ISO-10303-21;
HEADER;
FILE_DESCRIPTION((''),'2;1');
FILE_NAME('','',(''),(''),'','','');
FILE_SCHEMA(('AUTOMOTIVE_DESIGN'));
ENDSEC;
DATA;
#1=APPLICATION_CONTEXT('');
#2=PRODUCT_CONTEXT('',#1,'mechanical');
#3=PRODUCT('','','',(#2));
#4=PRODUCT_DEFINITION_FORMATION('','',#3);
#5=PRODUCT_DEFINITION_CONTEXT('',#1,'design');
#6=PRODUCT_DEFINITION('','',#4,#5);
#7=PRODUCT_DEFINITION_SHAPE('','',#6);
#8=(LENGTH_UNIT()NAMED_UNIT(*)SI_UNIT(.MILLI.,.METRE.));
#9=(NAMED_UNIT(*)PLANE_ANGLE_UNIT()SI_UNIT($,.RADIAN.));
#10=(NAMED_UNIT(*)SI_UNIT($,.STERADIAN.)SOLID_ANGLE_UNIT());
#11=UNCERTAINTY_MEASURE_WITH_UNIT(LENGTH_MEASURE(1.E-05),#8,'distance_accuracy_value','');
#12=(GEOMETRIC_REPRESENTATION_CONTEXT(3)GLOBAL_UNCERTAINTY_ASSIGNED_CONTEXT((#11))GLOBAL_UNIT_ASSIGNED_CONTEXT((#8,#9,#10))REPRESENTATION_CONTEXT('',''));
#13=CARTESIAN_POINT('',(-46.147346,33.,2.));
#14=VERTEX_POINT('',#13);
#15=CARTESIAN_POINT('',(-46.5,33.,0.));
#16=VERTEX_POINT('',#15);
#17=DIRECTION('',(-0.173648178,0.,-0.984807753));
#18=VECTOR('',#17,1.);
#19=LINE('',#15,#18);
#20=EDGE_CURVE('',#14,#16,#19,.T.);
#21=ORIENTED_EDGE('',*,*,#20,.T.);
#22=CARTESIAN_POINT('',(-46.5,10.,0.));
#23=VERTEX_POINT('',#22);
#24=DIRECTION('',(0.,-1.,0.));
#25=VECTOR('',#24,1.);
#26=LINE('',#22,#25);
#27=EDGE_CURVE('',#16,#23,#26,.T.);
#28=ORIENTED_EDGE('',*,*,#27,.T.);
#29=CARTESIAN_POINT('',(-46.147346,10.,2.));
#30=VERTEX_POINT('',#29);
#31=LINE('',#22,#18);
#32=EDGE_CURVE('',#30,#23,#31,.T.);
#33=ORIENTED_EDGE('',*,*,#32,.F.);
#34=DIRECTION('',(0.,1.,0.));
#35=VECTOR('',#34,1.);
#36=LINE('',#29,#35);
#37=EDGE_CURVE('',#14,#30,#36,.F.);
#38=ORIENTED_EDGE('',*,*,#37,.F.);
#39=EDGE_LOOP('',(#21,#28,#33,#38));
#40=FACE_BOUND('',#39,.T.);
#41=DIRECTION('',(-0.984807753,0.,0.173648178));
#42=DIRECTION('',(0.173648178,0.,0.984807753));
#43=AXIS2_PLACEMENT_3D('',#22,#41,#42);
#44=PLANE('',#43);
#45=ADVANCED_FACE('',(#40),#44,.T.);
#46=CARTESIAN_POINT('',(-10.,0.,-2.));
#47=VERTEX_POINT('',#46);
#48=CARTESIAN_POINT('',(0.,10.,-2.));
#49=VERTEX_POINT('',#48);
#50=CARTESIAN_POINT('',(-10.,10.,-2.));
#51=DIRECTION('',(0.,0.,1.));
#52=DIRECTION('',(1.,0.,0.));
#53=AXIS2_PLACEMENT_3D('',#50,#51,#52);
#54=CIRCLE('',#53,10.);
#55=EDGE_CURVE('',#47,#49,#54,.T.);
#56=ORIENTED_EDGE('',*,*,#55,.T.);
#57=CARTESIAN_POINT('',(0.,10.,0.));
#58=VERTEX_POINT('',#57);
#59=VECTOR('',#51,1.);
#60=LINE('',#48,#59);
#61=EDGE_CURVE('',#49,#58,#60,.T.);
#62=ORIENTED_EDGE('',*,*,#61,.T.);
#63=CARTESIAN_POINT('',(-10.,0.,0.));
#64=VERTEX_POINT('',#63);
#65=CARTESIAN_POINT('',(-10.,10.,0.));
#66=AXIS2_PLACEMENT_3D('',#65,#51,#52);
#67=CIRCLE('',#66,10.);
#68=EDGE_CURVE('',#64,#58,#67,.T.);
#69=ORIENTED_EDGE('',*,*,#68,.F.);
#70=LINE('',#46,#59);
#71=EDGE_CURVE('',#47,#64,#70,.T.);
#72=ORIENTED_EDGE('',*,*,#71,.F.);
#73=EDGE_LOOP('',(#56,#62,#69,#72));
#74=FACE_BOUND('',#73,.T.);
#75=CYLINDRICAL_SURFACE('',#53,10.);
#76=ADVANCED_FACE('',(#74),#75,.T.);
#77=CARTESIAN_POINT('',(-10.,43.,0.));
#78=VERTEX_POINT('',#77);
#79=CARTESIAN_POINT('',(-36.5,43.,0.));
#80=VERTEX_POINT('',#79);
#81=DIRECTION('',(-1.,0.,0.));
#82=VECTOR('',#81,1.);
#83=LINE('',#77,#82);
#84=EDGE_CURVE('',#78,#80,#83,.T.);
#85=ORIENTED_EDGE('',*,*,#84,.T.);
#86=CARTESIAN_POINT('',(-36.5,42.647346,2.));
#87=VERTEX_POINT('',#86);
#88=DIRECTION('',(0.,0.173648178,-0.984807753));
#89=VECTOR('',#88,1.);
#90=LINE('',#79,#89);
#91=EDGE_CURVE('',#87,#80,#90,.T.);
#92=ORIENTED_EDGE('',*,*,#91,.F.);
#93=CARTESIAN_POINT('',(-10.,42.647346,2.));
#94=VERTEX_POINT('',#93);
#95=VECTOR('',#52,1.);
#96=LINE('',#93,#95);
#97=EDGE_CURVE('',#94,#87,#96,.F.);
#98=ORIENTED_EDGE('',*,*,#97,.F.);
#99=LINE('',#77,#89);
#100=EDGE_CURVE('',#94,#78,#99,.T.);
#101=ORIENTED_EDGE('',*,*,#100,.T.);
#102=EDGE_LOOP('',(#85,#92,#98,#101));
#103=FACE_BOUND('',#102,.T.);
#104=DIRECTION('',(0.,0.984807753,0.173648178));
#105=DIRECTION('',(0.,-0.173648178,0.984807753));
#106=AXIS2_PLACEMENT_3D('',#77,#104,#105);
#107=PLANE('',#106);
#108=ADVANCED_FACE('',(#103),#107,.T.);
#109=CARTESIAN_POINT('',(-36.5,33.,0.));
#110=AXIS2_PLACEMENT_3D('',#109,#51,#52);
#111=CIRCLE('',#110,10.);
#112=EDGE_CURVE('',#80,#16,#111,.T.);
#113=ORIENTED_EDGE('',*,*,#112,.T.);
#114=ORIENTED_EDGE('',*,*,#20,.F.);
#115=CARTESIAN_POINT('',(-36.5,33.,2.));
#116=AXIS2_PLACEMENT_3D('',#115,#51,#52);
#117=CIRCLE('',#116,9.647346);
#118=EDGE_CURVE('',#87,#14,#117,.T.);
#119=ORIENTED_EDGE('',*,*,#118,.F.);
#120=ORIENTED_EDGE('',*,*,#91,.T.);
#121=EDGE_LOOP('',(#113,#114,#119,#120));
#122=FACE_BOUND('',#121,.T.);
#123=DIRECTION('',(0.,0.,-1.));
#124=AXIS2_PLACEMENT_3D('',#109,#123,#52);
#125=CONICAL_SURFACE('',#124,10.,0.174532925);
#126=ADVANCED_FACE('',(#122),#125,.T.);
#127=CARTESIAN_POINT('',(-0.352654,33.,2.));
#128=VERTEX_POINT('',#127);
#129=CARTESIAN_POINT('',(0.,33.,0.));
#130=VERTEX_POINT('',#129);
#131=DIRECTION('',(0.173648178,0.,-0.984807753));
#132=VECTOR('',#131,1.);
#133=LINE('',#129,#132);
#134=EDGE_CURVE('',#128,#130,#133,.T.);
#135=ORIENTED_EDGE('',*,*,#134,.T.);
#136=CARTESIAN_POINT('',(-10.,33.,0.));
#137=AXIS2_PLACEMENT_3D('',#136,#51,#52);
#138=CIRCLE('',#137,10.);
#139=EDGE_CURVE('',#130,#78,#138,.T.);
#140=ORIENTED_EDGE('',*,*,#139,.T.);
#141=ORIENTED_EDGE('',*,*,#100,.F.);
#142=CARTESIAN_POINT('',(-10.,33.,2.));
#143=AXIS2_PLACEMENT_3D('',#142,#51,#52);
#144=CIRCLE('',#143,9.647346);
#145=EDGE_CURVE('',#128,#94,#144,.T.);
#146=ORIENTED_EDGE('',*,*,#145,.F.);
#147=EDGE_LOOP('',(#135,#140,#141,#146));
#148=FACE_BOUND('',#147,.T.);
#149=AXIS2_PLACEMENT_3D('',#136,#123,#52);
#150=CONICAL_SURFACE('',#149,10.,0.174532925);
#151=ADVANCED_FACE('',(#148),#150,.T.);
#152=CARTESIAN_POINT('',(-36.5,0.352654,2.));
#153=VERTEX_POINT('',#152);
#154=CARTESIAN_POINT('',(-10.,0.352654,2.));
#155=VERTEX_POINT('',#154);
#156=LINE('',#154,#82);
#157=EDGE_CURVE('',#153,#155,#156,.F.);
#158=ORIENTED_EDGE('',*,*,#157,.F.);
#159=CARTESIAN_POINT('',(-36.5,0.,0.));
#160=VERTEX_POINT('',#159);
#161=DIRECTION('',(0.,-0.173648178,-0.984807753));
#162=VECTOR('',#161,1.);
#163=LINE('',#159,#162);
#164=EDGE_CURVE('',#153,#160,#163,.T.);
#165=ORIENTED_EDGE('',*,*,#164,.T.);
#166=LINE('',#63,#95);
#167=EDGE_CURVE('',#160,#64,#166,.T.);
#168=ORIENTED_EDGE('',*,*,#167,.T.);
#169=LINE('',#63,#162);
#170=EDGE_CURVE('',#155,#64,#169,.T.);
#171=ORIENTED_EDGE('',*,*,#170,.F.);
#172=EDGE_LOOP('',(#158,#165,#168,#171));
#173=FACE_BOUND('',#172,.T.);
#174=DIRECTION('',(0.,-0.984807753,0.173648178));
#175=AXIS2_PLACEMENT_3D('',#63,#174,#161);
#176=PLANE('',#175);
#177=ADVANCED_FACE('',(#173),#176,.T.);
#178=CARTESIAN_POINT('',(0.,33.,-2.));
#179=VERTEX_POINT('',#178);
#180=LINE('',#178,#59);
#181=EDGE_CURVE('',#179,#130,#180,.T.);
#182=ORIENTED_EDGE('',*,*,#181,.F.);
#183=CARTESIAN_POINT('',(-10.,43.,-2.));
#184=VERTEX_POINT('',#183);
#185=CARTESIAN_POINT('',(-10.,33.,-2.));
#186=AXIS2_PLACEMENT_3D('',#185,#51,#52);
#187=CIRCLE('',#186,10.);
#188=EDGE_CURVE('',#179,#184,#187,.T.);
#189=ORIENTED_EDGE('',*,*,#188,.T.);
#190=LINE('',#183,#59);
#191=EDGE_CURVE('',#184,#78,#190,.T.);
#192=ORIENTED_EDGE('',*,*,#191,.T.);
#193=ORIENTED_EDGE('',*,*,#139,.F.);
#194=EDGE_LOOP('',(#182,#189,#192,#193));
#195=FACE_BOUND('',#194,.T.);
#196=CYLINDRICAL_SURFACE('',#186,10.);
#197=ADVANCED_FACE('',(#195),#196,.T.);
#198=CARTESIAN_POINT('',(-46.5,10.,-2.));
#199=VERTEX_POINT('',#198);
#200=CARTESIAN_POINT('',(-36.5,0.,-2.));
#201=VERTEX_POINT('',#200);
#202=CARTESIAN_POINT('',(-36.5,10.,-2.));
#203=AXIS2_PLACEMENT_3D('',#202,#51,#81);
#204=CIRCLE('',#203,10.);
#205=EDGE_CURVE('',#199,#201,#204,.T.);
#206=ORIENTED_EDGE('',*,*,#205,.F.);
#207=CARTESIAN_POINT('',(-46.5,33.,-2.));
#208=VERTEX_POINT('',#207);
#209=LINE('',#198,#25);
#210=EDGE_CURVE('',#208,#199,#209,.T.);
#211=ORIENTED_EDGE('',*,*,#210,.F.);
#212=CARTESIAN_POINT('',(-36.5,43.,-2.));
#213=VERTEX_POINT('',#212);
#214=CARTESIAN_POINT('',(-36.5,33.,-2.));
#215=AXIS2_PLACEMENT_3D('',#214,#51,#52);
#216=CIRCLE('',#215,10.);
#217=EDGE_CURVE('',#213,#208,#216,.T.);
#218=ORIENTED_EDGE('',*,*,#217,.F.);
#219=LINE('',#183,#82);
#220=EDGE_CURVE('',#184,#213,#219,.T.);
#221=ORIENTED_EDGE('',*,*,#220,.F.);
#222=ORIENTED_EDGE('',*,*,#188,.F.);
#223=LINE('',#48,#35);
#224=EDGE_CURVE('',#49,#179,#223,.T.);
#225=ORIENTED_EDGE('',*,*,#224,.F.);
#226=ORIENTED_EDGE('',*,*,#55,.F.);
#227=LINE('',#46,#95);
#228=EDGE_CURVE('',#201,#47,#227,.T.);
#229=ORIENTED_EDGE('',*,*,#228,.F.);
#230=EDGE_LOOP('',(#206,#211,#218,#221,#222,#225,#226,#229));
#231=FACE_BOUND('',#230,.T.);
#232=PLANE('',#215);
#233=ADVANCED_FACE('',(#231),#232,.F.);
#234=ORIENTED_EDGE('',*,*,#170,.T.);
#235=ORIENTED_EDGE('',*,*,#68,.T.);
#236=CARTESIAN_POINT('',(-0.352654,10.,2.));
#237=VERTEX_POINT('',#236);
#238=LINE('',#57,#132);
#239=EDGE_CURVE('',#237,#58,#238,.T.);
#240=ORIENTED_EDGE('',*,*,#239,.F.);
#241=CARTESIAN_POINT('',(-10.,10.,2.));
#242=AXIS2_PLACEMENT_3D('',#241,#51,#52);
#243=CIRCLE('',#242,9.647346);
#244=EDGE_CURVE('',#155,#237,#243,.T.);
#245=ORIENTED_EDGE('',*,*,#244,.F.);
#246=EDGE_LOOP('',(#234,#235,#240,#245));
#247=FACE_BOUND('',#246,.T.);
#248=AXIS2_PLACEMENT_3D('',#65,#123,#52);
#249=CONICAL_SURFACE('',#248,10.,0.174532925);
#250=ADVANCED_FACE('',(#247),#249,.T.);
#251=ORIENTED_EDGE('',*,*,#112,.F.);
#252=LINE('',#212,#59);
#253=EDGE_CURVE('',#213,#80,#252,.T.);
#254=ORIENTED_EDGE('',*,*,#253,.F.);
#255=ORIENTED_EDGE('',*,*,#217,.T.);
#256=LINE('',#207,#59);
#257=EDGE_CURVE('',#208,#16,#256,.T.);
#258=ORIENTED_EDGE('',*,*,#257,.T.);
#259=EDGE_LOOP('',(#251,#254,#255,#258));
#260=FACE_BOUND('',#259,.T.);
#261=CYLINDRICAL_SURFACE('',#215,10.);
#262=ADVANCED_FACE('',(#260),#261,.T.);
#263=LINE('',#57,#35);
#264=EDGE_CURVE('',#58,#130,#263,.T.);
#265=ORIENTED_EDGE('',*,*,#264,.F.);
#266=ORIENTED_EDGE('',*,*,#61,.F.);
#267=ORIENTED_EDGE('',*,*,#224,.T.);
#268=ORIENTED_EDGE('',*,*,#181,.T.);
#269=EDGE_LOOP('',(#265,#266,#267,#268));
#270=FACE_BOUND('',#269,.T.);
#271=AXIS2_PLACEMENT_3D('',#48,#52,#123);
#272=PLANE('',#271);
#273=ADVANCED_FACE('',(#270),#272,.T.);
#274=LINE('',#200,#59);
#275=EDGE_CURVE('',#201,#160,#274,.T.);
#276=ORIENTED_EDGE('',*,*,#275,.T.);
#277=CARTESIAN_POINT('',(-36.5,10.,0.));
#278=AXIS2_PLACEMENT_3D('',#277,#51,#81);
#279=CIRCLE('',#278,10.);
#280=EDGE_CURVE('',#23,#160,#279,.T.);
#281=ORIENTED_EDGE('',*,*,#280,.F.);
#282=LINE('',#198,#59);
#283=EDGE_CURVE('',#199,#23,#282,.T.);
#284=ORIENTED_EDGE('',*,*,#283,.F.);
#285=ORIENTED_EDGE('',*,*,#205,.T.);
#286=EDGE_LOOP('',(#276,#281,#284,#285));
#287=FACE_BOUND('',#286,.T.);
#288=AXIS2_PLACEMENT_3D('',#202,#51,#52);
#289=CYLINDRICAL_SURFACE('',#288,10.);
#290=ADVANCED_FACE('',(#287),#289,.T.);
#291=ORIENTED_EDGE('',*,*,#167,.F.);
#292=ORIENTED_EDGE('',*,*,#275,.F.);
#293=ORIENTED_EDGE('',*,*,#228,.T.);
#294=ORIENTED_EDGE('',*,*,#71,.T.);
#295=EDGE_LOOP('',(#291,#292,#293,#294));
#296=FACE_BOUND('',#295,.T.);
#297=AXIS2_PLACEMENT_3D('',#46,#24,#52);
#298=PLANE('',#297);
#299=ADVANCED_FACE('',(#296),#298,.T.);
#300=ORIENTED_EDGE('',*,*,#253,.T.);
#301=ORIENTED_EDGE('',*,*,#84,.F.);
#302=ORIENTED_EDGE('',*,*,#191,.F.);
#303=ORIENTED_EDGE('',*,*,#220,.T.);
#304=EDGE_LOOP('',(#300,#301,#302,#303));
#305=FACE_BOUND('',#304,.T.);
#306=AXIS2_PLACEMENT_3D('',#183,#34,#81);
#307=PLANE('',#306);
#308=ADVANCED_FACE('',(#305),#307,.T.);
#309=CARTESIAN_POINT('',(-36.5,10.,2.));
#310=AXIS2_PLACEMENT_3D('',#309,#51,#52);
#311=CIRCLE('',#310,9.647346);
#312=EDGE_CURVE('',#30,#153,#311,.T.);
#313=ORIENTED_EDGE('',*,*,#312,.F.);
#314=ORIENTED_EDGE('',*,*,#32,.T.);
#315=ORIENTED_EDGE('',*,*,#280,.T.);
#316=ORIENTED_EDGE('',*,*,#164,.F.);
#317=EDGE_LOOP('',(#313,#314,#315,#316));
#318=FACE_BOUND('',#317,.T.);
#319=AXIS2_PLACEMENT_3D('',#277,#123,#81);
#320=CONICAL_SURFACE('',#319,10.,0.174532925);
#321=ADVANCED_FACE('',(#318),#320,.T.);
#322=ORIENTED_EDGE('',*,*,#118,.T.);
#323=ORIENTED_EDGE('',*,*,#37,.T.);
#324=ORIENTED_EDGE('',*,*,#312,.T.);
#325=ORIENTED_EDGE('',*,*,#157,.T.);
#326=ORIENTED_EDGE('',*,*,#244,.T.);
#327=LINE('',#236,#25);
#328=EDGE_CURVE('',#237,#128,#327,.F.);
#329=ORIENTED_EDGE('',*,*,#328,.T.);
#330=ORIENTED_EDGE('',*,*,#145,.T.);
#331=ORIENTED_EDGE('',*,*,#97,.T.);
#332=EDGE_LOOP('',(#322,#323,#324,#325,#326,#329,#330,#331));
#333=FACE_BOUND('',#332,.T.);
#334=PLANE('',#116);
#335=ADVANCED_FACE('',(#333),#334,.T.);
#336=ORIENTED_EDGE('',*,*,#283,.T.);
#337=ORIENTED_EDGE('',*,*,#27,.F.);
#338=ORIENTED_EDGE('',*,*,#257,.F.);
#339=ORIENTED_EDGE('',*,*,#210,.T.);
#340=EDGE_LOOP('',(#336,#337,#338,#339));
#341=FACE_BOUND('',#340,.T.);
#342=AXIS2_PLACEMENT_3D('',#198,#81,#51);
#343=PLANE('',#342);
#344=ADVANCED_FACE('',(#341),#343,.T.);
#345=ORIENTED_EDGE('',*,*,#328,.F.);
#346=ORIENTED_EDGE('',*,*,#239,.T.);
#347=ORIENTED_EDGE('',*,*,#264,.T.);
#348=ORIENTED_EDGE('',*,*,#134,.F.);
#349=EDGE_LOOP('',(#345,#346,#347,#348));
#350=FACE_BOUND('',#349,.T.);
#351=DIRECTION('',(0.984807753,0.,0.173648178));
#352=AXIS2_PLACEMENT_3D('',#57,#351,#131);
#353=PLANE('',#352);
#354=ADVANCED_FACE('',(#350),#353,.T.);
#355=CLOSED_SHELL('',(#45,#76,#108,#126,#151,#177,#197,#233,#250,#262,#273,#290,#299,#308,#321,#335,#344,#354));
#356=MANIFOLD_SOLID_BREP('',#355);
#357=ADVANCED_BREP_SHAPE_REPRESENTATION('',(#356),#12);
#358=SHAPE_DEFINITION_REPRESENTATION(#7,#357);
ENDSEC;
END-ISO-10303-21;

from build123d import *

# Parameters (mm, degrees)
RESSALTO_EXTRUS_O2_DEPTH           = 2
RESSALTO_EXTRUS_O2_OTHER_WAY_DEPTH = 2
RESSALTO_EXTRUS_O2_OTHER_WAY_TAPER = 10


with BuildPart() as part:
    # Esboço6 → Ressalto-extrusão2 (new body)
    with BuildSketch(Plane.XY):
        with BuildLine():
            ThreePointArc((-10, 0), (-2.928932188, 2.928932188), (0, 10))
            Line((0, 10), (0, 33))
            ThreePointArc((0, 33), (-2.928932188, 40.071067812), (-10, 43))
            Line((-10, 43), (-36.5, 43))
            ThreePointArc((-36.5, 43), (-43.571067812, 40.071067812), (-46.5, 33))
            Line((-46.5, 33), (-46.5, 10))
            ThreePointArc((-46.5, 10), (-43.571067812, 2.928932188), (-36.5, 0))
            Line((-36.5, 0), (-10, 0))
        make_face()
    extrude(amount=-RESSALTO_EXTRUS_O2_DEPTH)

    # Esboço6 → Ressalto-extrusão2 other way (add)
    with BuildSketch(Plane.XY):
        with BuildLine():
            ThreePointArc((-10, 0), (-2.928932188, 2.928932188), (0, 10))
            Line((0, 10), (0, 33))
            ThreePointArc((0, 33), (-2.928932188, 40.071067812), (-10, 43))
            Line((-10, 43), (-36.5, 43))
            ThreePointArc((-36.5, 43), (-43.571067812, 40.071067812), (-46.5, 33))
            Line((-46.5, 33), (-46.5, 10))
            ThreePointArc((-46.5, 10), (-43.571067812, 2.928932188), (-36.5, 0))
            Line((-36.5, 0), (-10, 0))
        make_face()
    extrude(amount=RESSALTO_EXTRUS_O2_OTHER_WAY_DEPTH, taper=RESSALTO_EXTRUS_O2_OTHER_WAY_TAPER)


solid = part.part
